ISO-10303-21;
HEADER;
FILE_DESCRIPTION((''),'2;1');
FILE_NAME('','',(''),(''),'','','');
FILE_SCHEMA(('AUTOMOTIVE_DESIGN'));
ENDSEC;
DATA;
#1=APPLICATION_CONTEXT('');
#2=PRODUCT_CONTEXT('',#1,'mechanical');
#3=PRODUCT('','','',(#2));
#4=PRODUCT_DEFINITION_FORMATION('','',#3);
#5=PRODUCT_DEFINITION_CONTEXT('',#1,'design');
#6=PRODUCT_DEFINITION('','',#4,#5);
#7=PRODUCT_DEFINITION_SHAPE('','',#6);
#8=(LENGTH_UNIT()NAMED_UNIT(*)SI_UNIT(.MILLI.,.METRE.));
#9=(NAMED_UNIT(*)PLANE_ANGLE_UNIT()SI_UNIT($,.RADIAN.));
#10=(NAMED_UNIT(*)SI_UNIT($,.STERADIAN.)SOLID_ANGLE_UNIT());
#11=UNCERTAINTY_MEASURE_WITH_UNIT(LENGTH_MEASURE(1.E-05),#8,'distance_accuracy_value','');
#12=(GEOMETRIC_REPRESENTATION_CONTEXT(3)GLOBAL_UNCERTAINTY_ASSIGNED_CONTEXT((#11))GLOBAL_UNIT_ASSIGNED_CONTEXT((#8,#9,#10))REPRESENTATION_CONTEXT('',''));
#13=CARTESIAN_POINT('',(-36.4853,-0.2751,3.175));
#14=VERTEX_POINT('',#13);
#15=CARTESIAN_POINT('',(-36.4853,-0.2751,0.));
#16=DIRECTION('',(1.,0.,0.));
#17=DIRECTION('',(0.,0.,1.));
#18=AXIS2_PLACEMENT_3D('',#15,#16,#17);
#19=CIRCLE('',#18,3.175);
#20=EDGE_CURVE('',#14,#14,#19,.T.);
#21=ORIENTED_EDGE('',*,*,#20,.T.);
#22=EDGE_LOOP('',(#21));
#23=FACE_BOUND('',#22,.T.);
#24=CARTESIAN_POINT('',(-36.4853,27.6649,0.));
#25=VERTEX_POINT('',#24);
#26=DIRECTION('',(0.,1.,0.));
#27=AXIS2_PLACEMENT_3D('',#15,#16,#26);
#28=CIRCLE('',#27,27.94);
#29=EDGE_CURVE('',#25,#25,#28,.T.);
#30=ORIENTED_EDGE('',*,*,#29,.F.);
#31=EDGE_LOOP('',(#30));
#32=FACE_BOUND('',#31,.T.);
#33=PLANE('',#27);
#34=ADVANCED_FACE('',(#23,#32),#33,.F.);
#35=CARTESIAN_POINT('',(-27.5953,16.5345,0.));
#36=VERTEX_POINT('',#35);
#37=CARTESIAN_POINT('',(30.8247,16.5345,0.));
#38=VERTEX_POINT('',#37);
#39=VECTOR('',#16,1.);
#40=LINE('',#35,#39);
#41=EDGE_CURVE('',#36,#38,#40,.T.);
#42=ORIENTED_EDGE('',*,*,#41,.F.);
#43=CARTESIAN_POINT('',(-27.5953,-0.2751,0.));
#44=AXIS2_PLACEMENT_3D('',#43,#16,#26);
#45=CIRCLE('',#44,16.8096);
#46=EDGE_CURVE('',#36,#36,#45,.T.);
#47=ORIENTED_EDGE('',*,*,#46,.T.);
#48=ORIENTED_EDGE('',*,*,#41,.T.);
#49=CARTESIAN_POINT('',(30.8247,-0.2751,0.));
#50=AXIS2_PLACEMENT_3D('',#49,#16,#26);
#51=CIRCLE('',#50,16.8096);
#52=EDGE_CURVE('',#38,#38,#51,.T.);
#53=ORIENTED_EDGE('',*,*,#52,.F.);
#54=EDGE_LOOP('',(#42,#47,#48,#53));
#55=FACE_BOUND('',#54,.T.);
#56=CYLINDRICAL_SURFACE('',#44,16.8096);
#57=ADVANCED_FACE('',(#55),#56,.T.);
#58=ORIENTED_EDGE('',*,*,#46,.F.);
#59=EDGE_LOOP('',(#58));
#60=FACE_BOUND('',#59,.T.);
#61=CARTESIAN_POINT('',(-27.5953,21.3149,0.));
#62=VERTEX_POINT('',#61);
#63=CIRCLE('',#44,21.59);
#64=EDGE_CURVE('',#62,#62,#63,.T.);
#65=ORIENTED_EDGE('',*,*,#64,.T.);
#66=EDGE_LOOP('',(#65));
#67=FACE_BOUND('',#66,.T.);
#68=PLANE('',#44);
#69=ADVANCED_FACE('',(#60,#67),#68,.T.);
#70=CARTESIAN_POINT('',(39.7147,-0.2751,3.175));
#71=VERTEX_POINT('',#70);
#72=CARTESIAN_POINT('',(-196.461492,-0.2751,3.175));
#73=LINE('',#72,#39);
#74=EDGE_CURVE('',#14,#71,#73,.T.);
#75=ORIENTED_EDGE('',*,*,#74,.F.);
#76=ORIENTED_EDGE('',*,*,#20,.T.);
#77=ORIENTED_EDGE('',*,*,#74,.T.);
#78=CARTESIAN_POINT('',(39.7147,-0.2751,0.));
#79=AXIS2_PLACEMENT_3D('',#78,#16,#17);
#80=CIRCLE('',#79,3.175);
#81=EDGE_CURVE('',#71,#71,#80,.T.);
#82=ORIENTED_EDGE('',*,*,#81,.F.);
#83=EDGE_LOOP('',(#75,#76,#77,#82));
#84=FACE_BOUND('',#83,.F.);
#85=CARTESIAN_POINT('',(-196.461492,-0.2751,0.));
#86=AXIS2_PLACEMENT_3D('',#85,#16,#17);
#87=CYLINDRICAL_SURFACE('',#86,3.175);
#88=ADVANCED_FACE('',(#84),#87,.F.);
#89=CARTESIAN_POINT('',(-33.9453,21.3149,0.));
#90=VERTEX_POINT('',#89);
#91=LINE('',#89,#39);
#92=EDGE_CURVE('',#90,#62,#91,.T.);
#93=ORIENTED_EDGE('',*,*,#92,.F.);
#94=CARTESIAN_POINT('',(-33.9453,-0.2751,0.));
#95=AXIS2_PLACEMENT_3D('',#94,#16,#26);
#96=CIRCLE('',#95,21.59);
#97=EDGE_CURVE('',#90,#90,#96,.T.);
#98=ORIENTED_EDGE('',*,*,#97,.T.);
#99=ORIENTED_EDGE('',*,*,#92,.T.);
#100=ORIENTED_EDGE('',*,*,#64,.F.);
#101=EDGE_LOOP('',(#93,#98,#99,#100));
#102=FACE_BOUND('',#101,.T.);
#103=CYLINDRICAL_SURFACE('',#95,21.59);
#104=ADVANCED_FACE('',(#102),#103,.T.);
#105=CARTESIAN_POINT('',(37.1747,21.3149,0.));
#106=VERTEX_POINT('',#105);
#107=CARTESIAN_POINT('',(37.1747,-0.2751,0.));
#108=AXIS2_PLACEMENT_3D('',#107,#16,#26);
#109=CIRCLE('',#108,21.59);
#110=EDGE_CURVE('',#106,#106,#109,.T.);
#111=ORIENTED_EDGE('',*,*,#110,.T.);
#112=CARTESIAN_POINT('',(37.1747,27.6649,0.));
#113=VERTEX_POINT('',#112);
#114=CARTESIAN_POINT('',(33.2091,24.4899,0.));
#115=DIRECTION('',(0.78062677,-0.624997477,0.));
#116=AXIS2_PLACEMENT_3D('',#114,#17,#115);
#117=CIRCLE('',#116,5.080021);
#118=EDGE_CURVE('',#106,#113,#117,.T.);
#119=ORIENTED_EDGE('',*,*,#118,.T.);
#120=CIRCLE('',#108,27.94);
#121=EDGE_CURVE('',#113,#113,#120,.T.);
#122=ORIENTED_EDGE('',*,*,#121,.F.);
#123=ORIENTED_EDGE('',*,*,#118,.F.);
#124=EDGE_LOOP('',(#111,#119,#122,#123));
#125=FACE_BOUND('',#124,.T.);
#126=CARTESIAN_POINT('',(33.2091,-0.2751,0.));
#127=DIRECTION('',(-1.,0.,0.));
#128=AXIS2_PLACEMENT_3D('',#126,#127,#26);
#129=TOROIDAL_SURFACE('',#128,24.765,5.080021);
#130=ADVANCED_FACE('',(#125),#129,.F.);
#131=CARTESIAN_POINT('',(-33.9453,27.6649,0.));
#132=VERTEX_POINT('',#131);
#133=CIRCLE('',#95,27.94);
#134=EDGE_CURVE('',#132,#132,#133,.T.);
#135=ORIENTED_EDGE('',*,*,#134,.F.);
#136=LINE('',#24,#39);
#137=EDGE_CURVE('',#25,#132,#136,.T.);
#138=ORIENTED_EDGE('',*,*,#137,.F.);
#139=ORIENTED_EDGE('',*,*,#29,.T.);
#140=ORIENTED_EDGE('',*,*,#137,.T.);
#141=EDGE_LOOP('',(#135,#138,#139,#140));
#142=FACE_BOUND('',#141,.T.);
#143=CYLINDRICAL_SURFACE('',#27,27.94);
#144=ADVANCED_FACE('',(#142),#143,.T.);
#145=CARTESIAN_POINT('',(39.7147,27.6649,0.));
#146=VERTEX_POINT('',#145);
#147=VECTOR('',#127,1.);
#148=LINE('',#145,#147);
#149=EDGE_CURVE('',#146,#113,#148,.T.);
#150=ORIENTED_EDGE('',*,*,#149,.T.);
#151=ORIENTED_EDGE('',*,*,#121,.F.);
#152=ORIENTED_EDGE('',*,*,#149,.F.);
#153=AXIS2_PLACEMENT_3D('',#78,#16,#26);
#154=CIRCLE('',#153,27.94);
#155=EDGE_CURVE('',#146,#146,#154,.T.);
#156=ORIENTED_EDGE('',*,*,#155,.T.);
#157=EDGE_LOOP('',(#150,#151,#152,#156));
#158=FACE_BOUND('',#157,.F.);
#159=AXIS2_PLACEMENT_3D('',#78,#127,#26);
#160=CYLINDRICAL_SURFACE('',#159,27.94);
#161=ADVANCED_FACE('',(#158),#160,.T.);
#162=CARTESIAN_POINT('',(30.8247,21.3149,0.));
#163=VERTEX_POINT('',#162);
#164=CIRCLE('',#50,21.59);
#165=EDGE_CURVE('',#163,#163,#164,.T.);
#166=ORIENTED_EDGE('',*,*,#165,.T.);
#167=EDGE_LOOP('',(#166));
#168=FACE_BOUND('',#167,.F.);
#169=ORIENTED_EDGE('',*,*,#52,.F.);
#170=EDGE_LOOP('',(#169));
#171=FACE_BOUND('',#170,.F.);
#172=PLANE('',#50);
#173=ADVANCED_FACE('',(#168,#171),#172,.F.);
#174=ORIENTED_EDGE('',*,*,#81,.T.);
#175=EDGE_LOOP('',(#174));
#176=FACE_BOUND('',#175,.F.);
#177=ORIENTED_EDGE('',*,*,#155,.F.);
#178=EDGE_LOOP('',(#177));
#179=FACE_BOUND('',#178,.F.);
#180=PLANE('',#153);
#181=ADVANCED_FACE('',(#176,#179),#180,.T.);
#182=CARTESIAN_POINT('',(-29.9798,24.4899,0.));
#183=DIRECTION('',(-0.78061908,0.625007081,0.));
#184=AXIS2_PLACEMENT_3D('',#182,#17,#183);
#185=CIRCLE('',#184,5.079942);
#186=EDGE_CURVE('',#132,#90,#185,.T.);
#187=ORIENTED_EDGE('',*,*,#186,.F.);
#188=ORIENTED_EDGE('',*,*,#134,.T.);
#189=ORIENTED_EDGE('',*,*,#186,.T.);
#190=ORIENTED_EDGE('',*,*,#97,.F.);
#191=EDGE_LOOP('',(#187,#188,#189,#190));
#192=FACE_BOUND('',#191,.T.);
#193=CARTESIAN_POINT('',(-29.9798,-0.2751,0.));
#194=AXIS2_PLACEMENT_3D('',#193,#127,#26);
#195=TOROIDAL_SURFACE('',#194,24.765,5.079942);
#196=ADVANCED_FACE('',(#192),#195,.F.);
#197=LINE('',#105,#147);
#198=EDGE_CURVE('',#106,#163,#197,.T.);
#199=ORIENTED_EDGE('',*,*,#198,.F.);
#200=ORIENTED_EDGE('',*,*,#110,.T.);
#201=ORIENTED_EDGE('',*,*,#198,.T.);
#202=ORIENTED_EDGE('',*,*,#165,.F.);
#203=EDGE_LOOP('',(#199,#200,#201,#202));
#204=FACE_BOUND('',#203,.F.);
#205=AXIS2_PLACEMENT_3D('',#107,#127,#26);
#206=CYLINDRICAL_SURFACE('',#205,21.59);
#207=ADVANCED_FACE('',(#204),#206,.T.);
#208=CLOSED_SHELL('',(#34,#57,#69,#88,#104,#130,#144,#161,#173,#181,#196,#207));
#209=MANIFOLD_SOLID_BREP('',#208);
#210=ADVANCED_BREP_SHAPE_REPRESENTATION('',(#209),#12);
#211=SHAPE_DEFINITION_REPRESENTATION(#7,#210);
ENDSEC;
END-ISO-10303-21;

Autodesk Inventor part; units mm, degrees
ref_plane "YZ Plane" through (0, 0, 0) normal (1, 0, 0) x (0, 1, 0)
ref_plane "XZ Plane" through (0, 0, 0) normal (0, 1, 0) x (-1, 0, 0)
ref_plane "XY Plane" through (0, 0, 0) normal (0, 0, 1) x (1, 0, 0)
sketch "Sketch1" plane through (0, 0, 0) normal (0, 0, 1) x (1, 0, 0)
  line L0 (-36.4853, -0.2751) -> (39.7147, -0.2751)
  line L1 (-36.4853, -0.2751) -> (-36.4853, 27.6649)
  line L2 (-36.4853, 27.6649) -> (-33.9453, 27.6649)
  arc A0 (-33.9453, 27.6649) -> (-33.9453, 21.3149) centre (-29.9798, 24.4899) ccw
  line L3 (-33.9453, 21.3149) -> (-27.5953, 21.3149)
  line L4 (-27.5953, 21.3149) -> (-27.5953, 16.5345)
  line L5 (39.7147, -0.2751) -> (39.7147, 27.6649)
  line L6 (39.7147, 27.6649) -> (37.1747, 27.6649)
  arc A1 (37.1747, 21.3149) -> (37.1747, 27.6649) centre (33.2091, 24.4899) ccw
  line L7 (37.1747, 21.3149) -> (30.8247, 21.3149)
  line L8 (30.8247, 21.3149) -> (30.8247, 16.5345)
  line L9 (-27.5953, 16.5345) -> (30.8247, 16.5345)
  point P0 (0, 0)
  dimension "d0" = 76.2
  dimension "d1" = 27.94
  dimension "d2" = 2.54
  dimension "d3" = 6.35
  dimension "d4" = 5.08
  dimension "d5" = 6.35
revolve "Revolution1" add sketch "Sketch1" angle 360 about axis through (-36.4853, -0.2751, 0) along (1, 0, 0)
sketch "Sketch2" plane through (0, 0, 0) normal (1, 0, 0) x (0, 1, 0)
  circle A0 centre (0, 0) radius 3.175
  circle A1 centre (0, 0) radius 3.175
sketch "Sketch3" plane through (-36.4853, -0.2751, 0) normal (-1, 0, 0) x (0, 0, 1)
  circle A0 centre (0, 0.2751) radius 3.175
  circle A1 centre (0, 0) radius 27.94 projected
  dimension "d9" = 6.35
  dimension "d10" = 25.0401
hole "Hole1" at (-36.4853, -0.2751, 0) direction (1, 0, 0) diameter 6.35 end through all both
sketch "Sketch4" plane through (-36.4853, -0.2751, 0) normal (-1, 0, 0) x (0, 0, 1)
  point P0 (0, 0.2751)
sketch "Sketch5" plane through (-36.4853, -0.2751, 0) normal (-1, 0, 0) x (0, 0, 1)
  point P0 (0, 0.2751)
sketch "Sketch6" plane through (39.7147, -0.2751, 0) normal (1, 0, 0) x (0, 0, -1)
  point P0 (0, 0.2751)
sketch "Sketch7" plane through (0, 0, 0) normal (1, 0, 0) x (0, 1, 0)
  point P0 (0, 0)
properties part number "weel 2.2"
